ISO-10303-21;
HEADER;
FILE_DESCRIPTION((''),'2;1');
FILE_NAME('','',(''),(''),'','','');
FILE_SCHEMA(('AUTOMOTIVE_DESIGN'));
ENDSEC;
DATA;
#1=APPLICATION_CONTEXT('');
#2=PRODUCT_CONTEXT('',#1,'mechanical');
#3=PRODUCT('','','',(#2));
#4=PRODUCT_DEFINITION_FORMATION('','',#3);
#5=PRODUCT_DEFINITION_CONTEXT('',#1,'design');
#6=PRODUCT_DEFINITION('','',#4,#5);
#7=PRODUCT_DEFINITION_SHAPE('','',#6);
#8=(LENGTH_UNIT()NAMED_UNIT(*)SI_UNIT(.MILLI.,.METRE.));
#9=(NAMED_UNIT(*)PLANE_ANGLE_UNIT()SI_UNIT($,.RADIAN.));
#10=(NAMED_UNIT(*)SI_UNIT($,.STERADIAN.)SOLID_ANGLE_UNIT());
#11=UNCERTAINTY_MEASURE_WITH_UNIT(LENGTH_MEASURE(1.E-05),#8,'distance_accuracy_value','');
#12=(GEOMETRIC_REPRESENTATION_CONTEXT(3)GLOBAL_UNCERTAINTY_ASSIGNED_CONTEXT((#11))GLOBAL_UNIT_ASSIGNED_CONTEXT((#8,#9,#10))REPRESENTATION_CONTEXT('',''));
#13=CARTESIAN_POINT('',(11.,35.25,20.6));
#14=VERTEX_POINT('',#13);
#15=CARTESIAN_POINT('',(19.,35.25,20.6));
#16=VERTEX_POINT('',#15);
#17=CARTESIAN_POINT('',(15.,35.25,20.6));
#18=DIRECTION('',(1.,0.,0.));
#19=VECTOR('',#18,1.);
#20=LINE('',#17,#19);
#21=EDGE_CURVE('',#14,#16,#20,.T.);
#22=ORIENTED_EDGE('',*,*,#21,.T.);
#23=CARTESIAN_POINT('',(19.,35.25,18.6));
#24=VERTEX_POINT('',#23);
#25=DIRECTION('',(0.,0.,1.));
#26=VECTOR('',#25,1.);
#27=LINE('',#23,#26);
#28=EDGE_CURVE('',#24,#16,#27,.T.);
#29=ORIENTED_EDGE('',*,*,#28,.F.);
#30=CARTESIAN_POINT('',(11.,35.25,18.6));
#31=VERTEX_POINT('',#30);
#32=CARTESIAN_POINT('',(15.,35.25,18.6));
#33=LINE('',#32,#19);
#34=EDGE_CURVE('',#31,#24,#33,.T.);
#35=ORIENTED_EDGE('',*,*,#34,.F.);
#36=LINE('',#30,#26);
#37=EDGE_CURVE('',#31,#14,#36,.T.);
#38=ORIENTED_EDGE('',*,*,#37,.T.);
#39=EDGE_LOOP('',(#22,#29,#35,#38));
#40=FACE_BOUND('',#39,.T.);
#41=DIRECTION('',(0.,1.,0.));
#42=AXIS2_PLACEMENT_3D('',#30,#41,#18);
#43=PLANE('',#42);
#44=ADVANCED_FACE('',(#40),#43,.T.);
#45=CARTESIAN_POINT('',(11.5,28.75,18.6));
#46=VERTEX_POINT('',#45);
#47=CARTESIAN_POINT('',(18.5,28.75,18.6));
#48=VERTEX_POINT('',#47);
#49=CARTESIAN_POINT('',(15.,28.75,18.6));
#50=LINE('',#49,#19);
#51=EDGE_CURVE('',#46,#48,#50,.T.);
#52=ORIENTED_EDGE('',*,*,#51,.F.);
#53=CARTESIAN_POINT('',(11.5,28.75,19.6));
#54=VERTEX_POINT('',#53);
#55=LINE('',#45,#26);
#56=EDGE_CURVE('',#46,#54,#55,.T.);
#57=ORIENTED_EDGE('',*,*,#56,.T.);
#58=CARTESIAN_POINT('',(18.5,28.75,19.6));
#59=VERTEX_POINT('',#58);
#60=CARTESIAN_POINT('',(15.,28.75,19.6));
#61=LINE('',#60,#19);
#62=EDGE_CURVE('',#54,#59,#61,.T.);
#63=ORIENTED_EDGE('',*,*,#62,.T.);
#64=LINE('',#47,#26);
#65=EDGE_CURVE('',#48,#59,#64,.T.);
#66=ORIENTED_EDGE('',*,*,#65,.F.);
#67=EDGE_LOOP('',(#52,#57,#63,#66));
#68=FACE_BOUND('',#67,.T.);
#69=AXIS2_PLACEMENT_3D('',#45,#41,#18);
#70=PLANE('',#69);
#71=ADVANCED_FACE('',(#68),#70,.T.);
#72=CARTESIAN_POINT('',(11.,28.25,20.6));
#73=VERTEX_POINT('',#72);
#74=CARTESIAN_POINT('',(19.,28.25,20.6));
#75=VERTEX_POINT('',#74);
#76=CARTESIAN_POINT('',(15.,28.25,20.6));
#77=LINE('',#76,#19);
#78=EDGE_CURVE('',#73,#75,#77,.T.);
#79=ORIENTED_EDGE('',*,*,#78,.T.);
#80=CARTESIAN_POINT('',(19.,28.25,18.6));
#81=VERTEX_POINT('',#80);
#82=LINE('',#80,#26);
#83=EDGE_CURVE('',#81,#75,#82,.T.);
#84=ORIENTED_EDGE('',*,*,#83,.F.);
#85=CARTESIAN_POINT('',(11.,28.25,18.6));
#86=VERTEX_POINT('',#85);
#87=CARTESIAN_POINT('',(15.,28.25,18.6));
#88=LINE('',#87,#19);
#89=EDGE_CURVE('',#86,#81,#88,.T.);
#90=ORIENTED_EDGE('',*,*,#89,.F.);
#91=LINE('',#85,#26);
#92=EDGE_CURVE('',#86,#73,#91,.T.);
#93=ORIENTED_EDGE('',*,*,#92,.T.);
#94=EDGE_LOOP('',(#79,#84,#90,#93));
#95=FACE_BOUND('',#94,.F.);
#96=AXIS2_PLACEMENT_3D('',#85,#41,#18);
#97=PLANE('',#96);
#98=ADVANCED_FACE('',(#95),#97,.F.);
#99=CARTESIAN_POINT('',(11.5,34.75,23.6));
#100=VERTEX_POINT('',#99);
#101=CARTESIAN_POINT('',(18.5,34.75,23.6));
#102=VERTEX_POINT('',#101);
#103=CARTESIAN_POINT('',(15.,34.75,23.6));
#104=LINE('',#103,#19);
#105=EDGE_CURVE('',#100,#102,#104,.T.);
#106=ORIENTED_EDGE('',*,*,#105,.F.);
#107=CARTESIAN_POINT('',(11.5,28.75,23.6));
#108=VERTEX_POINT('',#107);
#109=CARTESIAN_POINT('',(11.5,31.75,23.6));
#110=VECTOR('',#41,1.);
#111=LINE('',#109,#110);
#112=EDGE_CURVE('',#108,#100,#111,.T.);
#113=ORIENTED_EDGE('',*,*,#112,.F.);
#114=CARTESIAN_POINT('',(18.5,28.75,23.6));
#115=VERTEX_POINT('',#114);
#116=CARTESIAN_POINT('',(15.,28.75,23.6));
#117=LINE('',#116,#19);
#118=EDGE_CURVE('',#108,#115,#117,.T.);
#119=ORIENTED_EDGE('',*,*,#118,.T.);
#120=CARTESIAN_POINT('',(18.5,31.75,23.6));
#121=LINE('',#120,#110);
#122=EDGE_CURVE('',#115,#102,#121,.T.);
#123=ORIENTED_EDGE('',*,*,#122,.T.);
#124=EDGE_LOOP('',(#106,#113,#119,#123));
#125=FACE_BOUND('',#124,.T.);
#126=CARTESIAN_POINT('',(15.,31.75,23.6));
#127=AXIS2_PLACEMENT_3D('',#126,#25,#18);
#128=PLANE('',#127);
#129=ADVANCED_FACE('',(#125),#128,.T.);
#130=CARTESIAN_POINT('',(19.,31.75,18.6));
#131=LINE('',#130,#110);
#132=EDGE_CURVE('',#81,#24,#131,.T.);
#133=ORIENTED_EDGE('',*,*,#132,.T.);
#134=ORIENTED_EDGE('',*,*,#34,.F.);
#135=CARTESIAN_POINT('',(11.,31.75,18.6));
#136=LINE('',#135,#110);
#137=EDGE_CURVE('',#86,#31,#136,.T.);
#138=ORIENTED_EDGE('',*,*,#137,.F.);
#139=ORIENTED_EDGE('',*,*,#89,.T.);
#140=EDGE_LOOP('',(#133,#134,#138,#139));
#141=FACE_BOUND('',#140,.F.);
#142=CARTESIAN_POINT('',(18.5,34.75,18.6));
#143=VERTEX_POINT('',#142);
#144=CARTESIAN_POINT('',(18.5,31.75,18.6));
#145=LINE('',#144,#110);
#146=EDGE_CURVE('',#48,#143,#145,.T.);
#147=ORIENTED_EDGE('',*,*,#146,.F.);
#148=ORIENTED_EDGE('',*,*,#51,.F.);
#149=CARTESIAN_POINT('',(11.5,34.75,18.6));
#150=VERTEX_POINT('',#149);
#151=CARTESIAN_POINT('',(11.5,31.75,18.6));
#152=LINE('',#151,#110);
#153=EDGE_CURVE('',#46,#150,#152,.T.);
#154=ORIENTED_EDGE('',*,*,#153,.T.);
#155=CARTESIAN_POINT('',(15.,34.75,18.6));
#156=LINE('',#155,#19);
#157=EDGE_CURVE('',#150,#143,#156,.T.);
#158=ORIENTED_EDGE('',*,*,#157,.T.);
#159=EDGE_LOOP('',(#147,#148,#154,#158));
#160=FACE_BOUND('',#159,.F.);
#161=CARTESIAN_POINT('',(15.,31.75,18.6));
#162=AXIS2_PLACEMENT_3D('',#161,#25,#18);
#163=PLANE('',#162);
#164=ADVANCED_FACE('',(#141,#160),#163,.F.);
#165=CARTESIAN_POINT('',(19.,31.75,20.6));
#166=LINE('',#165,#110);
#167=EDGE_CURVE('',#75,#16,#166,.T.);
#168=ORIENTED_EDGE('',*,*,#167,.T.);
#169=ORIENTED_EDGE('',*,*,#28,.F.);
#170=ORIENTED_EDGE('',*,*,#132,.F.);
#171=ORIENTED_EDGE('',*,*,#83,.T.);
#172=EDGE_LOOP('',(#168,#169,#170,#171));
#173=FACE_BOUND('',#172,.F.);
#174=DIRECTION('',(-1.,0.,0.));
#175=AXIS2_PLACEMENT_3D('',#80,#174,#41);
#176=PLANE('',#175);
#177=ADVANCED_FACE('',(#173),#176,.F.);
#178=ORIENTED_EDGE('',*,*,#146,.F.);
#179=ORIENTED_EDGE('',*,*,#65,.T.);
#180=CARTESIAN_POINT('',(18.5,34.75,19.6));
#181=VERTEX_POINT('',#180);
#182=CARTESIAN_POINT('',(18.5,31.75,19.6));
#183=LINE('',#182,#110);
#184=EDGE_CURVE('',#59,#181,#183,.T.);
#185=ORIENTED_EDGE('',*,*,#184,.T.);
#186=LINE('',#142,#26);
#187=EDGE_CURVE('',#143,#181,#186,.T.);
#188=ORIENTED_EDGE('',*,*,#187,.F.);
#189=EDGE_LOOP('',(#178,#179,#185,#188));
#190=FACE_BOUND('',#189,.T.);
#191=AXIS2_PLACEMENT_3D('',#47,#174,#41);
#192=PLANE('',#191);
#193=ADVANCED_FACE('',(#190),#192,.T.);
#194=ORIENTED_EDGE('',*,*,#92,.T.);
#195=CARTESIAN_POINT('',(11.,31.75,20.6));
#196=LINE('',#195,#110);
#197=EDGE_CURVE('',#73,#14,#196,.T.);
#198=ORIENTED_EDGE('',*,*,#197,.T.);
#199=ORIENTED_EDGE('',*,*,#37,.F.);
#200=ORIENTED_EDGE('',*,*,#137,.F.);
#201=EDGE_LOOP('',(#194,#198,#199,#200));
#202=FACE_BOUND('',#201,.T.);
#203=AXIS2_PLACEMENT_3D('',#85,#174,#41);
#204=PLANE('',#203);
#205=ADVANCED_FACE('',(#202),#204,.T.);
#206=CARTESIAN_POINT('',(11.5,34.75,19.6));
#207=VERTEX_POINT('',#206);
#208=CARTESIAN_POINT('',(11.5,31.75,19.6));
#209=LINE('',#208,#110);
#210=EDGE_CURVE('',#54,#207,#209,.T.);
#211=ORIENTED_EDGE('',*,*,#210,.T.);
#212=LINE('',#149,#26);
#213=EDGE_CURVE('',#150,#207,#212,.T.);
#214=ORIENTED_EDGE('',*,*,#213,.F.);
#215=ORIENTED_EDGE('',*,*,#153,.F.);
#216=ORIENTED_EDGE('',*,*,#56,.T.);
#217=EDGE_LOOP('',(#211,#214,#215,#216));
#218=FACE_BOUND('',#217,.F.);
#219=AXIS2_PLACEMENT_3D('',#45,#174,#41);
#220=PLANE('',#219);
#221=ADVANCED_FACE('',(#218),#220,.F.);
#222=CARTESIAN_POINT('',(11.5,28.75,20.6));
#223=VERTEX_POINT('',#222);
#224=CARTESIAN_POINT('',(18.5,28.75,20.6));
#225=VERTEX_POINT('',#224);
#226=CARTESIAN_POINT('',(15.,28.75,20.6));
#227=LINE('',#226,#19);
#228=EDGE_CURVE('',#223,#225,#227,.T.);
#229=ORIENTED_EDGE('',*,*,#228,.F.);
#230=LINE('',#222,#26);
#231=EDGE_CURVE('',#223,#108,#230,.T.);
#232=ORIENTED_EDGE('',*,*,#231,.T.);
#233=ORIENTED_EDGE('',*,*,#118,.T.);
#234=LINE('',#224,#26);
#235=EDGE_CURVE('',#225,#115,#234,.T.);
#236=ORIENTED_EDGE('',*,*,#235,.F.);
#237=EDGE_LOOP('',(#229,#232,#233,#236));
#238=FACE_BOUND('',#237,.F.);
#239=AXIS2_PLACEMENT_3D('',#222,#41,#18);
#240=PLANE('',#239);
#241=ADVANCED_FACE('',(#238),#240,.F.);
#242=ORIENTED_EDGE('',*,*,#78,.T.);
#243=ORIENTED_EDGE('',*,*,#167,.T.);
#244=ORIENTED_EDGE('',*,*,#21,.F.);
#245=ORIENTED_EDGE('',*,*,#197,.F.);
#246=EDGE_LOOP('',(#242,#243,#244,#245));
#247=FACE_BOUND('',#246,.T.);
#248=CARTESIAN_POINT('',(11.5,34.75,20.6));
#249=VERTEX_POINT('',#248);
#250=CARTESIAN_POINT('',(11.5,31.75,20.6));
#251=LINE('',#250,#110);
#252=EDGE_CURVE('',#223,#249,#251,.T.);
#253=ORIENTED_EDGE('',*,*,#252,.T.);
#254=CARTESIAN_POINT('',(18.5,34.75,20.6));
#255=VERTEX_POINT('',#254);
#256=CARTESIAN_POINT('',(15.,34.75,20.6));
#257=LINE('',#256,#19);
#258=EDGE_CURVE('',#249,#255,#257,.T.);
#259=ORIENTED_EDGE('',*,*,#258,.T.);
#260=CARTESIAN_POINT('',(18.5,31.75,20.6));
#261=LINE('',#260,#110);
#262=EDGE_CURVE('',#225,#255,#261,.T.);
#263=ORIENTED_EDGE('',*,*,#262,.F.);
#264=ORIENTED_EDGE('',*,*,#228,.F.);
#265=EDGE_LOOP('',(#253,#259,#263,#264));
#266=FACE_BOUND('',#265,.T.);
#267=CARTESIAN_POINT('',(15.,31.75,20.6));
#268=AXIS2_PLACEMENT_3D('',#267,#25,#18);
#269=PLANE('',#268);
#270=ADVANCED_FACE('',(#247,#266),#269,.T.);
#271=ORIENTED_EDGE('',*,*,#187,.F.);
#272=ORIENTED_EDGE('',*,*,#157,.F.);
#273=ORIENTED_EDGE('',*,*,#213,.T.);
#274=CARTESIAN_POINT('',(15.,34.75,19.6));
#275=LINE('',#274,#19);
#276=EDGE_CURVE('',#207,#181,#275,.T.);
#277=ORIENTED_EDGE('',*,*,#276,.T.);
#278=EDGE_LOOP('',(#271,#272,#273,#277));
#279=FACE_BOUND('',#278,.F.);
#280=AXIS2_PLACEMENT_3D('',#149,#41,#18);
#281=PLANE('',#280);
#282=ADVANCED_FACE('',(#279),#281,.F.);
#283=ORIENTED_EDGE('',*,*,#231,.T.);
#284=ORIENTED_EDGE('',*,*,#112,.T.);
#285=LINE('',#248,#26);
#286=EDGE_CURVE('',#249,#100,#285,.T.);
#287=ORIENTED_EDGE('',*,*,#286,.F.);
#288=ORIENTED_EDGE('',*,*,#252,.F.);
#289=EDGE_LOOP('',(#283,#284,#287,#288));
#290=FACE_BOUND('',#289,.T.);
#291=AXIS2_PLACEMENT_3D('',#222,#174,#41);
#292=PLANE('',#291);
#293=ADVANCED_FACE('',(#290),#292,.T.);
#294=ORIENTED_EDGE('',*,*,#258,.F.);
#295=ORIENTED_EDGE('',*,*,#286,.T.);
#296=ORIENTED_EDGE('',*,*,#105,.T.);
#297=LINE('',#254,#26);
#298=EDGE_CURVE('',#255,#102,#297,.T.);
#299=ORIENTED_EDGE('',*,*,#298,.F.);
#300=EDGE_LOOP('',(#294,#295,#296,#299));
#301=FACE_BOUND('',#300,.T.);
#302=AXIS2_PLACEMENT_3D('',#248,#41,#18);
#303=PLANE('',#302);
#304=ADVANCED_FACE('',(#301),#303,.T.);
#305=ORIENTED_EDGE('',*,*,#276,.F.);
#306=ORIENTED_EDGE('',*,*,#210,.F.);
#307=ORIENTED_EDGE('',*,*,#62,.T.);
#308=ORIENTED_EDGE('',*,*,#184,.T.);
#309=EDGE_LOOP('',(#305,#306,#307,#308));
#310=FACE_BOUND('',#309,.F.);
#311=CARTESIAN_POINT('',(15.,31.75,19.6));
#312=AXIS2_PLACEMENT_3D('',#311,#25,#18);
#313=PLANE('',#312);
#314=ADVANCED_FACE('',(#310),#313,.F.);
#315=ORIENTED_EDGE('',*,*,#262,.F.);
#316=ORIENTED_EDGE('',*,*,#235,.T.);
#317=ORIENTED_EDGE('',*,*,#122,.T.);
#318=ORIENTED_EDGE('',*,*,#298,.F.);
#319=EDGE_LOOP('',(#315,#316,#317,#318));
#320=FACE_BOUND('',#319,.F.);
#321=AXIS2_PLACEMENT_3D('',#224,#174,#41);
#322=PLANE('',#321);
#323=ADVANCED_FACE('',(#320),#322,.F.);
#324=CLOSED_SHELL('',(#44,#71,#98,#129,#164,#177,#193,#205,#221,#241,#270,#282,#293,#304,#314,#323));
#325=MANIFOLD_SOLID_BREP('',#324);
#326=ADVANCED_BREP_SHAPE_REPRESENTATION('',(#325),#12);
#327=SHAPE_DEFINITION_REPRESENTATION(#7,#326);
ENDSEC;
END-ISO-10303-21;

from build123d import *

# Parameters (mm, degrees)
BOX073_W     = 7
BOX073_H     = 6
BOX073_DEPTH = 1
BOX072_W     = 8
BOX072_H     = 7
BOX072_DEPTH = 2
BOX071_W     = 7
BOX071_H     = 6
BOX071_DEPTH = 3


with BuildPart() as box073:
    # Box073 → Box073 (new body)
    with BuildSketch(Plane(origin=(11.5, 28.75, 18.6), x_dir=(1, 0, 0), z_dir=(0, 0, 1))):
        with Locations((3.5, 3)):
            Rectangle(BOX073_W, BOX073_H)
    extrude(amount=BOX073_DEPTH)


with BuildPart() as box072:
    # Box072 → Box072 (new body)
    with BuildSketch(Plane(origin=(11, 28.25, 18.6), x_dir=(1, 0, 0), z_dir=(0, 0, 1))):
        with Locations((4, 3.5)):
            Rectangle(BOX072_W, BOX072_H)
    extrude(amount=BOX072_DEPTH)


with BuildPart() as cut009:
    # Box071 → Box071 (new body)
    with BuildSketch(Plane(origin=(11.5, 28.75, 20.6), x_dir=(1, 0, 0), z_dir=(0, 0, 1))):
        with Locations((3.5, 3)):
            Rectangle(BOX071_W, BOX071_H)
    extrude(amount=BOX071_DEPTH)

    # Fusion024: union Box072
    add(box072.part)

    # Cut009: cut Box073
    add(box073.part, mode=Mode.SUBTRACT)


solid = cut009.part
